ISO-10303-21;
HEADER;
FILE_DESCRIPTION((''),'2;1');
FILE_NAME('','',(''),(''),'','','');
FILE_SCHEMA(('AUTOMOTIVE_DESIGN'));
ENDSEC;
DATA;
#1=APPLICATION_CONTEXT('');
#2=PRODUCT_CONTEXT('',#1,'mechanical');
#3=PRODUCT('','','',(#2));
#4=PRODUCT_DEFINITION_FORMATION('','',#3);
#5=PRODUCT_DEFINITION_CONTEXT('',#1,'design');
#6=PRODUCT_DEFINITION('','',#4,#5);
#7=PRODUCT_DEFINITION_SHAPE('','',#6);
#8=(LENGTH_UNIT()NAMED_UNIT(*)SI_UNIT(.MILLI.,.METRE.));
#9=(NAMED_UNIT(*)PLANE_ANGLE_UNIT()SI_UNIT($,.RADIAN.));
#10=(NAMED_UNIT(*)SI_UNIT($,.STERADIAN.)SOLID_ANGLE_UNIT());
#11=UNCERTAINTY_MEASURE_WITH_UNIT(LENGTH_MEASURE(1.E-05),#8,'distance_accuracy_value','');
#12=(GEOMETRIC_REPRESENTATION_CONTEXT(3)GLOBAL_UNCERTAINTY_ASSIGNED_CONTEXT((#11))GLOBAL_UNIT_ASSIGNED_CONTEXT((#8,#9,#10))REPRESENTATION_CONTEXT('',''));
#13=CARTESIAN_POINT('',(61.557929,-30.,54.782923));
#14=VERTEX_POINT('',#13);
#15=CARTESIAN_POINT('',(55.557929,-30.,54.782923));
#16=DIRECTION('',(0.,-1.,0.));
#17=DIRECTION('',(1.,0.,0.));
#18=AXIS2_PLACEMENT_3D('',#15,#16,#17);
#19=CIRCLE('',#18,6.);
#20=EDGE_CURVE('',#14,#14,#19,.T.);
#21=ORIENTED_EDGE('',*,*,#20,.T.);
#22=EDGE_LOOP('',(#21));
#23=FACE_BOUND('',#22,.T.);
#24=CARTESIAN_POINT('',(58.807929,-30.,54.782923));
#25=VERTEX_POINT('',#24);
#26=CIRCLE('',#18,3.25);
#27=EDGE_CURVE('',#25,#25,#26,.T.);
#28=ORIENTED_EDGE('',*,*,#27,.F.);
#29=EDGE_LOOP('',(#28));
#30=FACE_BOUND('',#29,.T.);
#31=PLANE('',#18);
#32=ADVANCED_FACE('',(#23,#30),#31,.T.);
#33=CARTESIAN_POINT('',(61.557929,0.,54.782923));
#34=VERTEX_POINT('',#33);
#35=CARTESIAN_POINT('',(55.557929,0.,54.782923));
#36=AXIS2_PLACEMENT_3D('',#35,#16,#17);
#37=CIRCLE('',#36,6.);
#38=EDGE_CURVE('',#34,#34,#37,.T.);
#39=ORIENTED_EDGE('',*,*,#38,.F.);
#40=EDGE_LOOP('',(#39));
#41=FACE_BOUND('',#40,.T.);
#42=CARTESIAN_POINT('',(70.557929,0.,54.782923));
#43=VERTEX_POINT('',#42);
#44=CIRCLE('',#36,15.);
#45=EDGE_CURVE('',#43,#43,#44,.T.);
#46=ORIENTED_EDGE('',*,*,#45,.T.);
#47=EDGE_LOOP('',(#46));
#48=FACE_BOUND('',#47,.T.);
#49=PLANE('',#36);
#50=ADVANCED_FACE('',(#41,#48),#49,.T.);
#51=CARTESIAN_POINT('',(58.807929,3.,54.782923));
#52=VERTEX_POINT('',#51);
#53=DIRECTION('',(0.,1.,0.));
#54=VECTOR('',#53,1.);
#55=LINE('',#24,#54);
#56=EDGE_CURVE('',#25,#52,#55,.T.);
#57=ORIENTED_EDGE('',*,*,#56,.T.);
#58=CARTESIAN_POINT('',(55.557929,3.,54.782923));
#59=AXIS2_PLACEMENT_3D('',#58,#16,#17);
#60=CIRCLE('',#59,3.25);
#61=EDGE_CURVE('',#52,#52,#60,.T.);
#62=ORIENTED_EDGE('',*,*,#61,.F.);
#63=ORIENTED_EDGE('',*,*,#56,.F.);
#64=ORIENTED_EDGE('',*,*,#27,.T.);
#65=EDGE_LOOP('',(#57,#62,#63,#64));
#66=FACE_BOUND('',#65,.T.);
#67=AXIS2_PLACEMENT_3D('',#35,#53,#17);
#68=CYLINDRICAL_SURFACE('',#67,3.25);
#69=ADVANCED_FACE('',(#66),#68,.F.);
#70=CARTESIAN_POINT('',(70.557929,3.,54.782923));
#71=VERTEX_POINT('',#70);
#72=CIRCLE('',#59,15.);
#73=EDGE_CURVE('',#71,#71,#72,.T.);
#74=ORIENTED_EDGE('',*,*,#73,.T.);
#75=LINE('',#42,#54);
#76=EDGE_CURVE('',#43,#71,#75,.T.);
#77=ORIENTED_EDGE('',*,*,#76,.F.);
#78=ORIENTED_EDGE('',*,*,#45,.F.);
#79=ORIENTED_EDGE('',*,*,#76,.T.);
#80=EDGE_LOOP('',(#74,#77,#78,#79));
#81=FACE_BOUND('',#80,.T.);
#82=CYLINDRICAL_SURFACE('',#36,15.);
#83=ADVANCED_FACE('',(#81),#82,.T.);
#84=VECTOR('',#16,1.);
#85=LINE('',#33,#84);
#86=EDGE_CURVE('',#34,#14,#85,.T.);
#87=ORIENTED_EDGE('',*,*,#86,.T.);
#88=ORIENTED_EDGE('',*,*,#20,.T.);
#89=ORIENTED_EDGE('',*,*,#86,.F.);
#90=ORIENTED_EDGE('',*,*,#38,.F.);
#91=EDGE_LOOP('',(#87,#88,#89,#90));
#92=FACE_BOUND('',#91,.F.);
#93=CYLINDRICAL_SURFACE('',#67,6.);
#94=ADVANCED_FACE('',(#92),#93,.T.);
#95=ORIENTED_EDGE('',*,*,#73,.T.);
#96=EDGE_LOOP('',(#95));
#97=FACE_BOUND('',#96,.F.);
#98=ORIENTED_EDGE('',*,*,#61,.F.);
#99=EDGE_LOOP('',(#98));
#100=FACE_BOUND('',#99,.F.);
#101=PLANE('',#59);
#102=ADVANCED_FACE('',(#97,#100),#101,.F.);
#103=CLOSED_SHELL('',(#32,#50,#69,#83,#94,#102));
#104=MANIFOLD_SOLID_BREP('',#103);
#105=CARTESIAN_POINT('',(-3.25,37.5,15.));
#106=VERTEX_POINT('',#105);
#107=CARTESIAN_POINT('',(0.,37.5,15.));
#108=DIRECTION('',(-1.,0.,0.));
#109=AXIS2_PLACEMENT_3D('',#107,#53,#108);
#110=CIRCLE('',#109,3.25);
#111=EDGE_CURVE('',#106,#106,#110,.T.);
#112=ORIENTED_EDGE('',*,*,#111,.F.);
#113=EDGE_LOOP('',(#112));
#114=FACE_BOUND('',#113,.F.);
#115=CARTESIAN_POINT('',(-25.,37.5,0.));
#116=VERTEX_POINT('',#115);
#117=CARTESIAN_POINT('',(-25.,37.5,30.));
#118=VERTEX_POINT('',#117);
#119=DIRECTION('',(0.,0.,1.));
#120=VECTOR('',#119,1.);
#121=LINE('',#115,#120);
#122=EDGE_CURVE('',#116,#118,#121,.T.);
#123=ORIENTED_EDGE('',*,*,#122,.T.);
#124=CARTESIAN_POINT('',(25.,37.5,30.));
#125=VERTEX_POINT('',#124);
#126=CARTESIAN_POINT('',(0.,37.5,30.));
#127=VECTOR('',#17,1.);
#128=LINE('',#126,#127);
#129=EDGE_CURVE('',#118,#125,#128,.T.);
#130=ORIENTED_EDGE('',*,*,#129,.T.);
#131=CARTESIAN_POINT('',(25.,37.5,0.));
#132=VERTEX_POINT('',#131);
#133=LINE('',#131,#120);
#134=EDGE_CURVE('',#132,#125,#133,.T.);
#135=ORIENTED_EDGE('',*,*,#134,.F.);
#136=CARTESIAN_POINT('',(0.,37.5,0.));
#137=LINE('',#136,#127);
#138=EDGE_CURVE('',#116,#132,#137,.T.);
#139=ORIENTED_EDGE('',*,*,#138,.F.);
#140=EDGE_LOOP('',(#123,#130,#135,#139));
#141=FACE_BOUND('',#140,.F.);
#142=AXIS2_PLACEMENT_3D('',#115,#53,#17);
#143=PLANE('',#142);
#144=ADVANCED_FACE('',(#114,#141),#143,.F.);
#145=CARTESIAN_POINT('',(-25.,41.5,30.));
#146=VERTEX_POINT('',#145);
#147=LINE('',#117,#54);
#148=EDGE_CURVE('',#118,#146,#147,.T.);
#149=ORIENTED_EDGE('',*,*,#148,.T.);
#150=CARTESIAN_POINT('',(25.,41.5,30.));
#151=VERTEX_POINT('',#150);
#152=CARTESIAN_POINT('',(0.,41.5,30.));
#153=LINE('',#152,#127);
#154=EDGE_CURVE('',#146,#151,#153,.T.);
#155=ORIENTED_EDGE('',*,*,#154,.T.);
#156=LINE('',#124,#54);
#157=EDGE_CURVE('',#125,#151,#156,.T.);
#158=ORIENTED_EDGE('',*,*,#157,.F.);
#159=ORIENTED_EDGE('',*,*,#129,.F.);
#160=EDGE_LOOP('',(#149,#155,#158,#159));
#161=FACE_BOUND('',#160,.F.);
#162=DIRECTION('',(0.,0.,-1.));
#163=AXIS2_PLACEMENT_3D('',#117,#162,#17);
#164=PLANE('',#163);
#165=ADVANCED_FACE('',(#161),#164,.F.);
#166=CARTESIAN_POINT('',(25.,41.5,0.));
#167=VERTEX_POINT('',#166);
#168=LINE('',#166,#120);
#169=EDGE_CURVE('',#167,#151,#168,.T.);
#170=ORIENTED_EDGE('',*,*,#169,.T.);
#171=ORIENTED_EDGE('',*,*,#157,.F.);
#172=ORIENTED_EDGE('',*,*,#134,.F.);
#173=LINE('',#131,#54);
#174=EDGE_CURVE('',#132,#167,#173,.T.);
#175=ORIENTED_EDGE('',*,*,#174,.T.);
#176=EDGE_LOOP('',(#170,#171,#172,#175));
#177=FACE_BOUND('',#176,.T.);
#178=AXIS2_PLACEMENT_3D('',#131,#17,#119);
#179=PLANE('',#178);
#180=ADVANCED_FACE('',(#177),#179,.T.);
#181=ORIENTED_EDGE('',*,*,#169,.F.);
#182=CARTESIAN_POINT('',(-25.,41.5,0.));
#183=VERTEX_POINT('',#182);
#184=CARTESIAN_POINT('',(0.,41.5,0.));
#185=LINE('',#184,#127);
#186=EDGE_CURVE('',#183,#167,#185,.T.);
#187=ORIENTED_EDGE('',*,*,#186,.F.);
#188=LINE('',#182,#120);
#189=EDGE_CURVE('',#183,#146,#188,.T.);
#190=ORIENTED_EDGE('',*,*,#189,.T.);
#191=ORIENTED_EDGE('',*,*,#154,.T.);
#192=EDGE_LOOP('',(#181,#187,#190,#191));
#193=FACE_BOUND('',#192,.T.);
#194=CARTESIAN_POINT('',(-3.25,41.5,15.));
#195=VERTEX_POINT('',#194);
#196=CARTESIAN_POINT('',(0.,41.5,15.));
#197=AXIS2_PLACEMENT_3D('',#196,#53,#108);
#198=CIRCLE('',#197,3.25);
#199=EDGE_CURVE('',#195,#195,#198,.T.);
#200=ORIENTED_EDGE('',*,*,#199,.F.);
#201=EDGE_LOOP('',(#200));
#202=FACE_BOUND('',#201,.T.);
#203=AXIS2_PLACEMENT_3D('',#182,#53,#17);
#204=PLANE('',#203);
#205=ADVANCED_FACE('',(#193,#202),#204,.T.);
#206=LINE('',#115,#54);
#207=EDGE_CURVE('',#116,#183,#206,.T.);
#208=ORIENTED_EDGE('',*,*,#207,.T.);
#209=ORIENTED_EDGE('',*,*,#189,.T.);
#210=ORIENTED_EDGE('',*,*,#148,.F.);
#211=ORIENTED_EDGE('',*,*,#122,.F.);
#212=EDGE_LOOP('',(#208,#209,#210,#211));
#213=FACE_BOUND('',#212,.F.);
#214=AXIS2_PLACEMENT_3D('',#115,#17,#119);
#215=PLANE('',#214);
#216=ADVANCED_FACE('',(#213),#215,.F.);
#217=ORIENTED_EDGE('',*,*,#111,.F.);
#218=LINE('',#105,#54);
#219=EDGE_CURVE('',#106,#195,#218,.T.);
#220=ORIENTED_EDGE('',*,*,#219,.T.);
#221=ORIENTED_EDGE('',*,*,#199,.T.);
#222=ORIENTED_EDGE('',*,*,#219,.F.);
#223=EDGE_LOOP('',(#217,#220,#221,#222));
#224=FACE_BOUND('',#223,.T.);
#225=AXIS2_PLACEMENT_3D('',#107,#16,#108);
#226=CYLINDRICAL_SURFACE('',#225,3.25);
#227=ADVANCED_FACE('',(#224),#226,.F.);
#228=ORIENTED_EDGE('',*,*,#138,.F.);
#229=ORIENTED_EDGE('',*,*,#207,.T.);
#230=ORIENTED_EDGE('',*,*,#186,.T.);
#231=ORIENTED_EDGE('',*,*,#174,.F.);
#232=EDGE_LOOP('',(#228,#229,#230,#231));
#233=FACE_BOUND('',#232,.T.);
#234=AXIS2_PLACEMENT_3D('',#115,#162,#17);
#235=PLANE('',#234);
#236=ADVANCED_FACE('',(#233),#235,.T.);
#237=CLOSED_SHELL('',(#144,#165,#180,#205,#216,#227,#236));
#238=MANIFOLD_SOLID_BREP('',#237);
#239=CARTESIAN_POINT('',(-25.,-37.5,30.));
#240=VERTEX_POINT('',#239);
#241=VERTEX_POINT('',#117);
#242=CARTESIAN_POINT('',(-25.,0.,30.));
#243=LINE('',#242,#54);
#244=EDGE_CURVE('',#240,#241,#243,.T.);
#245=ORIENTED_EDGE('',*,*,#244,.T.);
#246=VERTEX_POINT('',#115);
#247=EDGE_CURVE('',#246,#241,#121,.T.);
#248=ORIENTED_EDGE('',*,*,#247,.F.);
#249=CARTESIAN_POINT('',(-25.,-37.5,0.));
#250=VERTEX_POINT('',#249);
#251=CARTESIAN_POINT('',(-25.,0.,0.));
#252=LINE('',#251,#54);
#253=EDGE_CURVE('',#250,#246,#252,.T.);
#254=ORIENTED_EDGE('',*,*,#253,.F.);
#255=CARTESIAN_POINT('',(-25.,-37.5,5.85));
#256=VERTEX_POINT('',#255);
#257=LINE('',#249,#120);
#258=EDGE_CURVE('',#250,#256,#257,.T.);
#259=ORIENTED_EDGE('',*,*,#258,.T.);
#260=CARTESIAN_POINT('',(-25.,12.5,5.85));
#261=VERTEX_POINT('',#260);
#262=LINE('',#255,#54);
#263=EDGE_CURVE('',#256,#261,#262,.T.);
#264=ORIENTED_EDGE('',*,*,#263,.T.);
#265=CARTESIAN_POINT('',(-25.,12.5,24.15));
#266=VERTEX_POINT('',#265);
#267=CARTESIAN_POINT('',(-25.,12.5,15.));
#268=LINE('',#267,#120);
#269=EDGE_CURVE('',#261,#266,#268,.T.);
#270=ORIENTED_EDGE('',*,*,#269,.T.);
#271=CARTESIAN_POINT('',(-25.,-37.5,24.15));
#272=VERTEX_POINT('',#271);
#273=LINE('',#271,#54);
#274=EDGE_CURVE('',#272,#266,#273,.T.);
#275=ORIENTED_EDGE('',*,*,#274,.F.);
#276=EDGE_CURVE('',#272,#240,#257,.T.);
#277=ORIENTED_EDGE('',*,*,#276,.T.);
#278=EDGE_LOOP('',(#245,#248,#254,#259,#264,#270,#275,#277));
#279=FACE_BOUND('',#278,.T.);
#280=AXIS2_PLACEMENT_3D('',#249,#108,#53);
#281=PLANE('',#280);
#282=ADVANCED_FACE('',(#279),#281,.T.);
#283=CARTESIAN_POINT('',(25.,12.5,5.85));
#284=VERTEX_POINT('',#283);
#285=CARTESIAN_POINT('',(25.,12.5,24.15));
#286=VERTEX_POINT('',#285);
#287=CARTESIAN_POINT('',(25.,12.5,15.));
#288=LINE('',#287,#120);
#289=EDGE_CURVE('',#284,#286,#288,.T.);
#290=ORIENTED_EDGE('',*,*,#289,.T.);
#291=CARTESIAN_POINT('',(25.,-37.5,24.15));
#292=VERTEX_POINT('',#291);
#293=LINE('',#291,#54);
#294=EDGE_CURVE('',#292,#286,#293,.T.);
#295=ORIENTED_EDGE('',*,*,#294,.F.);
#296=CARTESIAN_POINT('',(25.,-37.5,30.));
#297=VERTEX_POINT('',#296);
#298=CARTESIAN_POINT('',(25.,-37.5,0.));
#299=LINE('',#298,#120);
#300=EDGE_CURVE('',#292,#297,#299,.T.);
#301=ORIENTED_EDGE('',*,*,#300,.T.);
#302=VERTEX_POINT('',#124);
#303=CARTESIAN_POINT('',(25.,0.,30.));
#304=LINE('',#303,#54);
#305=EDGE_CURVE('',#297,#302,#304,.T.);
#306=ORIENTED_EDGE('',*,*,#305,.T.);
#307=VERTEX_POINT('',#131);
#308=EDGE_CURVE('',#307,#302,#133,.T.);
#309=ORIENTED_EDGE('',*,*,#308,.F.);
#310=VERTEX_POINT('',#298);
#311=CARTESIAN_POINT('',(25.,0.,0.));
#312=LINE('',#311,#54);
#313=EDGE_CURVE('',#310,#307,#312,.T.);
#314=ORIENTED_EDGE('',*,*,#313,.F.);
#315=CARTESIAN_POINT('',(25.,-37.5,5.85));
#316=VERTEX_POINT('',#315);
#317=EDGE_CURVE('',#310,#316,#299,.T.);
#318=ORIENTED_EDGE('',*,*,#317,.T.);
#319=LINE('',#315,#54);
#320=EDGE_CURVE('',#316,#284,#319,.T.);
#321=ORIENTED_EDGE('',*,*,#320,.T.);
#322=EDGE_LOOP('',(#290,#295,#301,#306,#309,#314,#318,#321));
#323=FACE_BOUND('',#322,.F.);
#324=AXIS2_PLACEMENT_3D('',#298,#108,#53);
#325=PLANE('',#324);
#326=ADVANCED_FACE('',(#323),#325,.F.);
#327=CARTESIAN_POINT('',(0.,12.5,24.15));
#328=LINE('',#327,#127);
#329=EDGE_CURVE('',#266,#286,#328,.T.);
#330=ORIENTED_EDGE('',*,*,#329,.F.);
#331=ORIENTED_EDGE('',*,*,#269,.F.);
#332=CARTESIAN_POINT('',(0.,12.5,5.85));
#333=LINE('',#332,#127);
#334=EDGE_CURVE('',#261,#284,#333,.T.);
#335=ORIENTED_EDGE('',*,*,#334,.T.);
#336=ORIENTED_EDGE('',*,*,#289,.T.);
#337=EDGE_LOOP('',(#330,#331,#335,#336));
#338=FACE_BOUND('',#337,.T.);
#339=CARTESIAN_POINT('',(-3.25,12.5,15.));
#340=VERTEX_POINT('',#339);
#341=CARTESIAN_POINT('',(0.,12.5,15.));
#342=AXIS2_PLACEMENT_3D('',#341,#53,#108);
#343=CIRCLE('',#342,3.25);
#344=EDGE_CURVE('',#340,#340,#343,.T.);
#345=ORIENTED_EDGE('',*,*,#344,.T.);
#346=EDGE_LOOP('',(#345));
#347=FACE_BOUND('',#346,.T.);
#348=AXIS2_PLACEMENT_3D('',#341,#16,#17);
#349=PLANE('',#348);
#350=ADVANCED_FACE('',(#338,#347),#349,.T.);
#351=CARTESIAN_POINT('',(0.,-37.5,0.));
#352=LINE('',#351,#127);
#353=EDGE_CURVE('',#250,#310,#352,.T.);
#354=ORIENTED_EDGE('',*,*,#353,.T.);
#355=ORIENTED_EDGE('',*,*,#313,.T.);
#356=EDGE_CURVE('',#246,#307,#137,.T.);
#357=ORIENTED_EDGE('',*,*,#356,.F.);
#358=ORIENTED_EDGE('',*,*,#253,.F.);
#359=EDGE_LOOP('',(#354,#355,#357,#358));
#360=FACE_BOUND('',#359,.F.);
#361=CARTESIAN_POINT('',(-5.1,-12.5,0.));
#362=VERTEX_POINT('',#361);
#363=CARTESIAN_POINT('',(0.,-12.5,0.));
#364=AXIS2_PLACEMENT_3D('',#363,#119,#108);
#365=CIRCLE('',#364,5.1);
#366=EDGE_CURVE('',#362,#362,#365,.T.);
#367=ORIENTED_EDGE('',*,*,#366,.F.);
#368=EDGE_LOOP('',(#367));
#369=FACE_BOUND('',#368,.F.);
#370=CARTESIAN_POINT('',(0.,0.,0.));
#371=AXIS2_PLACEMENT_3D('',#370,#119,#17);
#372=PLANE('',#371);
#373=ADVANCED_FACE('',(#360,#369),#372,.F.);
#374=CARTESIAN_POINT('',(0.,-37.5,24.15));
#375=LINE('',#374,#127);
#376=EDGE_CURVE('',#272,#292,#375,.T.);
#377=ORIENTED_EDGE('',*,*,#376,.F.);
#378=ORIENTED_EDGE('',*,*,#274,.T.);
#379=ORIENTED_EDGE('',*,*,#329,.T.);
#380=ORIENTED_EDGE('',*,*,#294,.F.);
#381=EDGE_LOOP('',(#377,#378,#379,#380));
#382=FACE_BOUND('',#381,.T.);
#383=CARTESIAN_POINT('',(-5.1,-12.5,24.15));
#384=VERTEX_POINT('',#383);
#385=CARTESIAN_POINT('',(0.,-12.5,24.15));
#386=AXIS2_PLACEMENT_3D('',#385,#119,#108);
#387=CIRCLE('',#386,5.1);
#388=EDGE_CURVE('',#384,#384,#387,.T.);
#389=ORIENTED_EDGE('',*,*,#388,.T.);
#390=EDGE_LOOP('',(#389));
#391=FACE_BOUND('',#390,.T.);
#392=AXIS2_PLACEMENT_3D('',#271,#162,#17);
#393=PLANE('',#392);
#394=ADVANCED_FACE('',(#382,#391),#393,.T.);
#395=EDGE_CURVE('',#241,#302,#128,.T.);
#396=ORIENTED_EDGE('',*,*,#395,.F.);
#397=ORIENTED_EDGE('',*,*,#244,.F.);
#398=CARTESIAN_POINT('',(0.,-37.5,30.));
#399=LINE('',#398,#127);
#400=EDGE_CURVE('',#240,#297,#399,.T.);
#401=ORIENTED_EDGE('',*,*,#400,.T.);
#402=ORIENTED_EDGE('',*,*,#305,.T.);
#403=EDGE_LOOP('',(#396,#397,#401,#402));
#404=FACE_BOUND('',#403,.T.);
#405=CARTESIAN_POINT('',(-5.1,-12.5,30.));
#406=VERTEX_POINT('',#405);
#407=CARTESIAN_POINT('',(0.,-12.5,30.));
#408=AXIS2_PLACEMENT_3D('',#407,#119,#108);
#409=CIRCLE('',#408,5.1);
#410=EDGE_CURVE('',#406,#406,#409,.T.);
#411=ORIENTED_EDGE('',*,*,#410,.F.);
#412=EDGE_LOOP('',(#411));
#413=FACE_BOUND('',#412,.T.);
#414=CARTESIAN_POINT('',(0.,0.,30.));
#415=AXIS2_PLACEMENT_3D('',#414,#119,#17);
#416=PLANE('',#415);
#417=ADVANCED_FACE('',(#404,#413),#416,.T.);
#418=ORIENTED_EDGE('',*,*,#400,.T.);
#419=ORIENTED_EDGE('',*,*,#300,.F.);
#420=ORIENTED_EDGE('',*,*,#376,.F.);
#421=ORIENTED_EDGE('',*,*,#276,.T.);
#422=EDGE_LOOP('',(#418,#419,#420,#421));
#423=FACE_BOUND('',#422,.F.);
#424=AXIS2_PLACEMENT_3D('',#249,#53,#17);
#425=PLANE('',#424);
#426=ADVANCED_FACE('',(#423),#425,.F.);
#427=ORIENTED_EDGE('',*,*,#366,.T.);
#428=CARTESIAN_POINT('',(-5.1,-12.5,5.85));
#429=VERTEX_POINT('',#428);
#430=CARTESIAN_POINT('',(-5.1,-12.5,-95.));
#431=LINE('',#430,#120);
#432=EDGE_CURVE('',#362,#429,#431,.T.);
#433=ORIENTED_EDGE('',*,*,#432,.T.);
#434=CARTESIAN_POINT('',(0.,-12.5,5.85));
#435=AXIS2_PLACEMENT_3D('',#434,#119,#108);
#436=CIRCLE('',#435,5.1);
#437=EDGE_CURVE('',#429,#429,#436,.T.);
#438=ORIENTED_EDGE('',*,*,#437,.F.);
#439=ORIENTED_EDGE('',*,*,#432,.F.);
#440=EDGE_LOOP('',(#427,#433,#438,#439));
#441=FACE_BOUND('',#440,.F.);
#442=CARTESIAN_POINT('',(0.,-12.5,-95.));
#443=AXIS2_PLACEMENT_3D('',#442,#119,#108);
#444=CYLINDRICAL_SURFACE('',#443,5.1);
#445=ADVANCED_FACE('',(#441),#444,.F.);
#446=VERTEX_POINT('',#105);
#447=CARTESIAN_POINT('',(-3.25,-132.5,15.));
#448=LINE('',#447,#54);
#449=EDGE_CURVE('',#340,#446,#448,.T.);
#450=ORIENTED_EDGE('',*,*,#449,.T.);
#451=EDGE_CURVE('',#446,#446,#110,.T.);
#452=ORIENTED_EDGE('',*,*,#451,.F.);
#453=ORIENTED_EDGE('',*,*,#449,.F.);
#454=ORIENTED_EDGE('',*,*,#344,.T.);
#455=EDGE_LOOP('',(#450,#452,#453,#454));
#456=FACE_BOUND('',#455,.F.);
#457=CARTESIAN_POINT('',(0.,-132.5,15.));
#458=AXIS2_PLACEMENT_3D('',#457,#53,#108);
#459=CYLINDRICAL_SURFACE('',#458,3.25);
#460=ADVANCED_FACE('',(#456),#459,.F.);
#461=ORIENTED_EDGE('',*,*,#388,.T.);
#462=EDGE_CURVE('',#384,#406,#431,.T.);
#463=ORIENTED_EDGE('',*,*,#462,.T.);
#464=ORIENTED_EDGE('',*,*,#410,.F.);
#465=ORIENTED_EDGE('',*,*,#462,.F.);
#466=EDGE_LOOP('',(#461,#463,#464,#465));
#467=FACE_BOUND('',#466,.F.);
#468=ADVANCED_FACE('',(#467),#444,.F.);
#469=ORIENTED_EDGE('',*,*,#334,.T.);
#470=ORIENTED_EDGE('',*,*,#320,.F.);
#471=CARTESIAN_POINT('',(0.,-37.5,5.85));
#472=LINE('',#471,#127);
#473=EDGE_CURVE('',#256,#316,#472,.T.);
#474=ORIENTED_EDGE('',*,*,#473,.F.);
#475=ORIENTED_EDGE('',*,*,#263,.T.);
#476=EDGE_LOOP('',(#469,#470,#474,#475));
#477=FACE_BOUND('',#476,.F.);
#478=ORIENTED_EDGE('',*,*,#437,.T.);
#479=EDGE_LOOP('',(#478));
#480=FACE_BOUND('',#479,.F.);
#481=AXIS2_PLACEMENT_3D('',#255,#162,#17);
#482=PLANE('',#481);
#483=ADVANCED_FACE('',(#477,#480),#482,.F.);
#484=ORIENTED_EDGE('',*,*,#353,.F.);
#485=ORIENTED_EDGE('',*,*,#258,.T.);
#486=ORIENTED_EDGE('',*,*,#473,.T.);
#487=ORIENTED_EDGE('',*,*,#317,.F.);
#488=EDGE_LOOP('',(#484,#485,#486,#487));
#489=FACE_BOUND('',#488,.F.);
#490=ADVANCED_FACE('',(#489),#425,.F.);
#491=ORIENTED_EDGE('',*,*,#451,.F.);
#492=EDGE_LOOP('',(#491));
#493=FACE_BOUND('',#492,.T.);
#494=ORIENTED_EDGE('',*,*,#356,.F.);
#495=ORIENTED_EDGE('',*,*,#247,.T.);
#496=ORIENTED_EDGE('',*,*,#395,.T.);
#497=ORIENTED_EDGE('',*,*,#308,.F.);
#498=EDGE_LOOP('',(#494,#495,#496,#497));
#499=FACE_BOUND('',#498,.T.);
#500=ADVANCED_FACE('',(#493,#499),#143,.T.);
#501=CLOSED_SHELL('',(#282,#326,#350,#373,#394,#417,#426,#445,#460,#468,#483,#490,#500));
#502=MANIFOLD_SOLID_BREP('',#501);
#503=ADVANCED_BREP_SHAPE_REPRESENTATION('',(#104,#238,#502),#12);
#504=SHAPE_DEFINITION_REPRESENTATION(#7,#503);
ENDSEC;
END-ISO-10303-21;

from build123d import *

# Parameters (mm, degrees)
F0_W      = 50
F0_H      = 75
F1_DEPTH  = 30
F2_W      = 50
F2_H      = 18.3
F3_DEPTH  = 50
F4_D      = 6.5
F6_D      = 10.2
F7_R      = 15
F7_R_2    = 6
F7_R_3    = 3.25
F8_DEPTH  = 3
F9_DEPTH  = 30
F10_DEPTH = 4


with BuildPart() as f1:
    # F0 (on Top) → F1 (new body)
    with BuildSketch(Plane.XY):
        Rectangle(F0_W, F0_H)
    extrude(amount=F1_DEPTH)

    # F2 (on face) → F3 (cut)
    with BuildSketch(Plane.XZ.offset(37.5)):
        with Locations((0, 15)):
            Rectangle(F2_W, F2_H)
    extrude(amount=-F3_DEPTH, mode=Mode.SUBTRACT)

    # F4 (through all)
    with Locations(Plane.XZ.offset(37.5)):
        with Locations((0, 15)):
            Hole(F4_D / 2)

    # F6 (through all)
    with Locations(Plane(origin=(0, 0, 0), x_dir=(1, 0, 0), z_dir=(0, 0, -1))):
        with Locations((0, 12.5)):
            Hole(F6_D / 2)


with BuildPart() as f8:
    # F7 (on Front) → F8 (new body)
    with BuildSketch(Plane.XZ):
        with Locations((55.5579289794, 54.782923311)):
            Circle(F7_R)
        with Locations((55.5579289794, 54.782923311)):
            Circle(F7_R_2, mode=Mode.SUBTRACT)
        with Locations((55.5579289794, 54.782923311)):
            Circle(F7_R_2)
        with Locations((55.5579289794, 54.782923311)):
            Circle(F7_R_3, mode=Mode.SUBTRACT)
    extrude(amount=-F8_DEPTH)

    # F7 (on Front) → F9 (join)
    with BuildSketch(Plane.XZ):
        with Locations((55.5579289794, 54.782923311)):
            Circle(F7_R_2)
        with Locations((55.5579289794, 54.782923311)):
            Circle(F7_R_3, mode=Mode.SUBTRACT)
    extrude(amount=F9_DEPTH)


with BuildPart() as f10:
    # F10 (new): a face of the model
    f10_faces = [f1.part.faces().sort_by_distance(p)[0] for p in [
        (24.4169048105, 37.5, 15),
    ]]
    extrude(f10_faces, amount=F10_DEPTH)


solid = Compound([f1.part, f8.part, f10.part])
